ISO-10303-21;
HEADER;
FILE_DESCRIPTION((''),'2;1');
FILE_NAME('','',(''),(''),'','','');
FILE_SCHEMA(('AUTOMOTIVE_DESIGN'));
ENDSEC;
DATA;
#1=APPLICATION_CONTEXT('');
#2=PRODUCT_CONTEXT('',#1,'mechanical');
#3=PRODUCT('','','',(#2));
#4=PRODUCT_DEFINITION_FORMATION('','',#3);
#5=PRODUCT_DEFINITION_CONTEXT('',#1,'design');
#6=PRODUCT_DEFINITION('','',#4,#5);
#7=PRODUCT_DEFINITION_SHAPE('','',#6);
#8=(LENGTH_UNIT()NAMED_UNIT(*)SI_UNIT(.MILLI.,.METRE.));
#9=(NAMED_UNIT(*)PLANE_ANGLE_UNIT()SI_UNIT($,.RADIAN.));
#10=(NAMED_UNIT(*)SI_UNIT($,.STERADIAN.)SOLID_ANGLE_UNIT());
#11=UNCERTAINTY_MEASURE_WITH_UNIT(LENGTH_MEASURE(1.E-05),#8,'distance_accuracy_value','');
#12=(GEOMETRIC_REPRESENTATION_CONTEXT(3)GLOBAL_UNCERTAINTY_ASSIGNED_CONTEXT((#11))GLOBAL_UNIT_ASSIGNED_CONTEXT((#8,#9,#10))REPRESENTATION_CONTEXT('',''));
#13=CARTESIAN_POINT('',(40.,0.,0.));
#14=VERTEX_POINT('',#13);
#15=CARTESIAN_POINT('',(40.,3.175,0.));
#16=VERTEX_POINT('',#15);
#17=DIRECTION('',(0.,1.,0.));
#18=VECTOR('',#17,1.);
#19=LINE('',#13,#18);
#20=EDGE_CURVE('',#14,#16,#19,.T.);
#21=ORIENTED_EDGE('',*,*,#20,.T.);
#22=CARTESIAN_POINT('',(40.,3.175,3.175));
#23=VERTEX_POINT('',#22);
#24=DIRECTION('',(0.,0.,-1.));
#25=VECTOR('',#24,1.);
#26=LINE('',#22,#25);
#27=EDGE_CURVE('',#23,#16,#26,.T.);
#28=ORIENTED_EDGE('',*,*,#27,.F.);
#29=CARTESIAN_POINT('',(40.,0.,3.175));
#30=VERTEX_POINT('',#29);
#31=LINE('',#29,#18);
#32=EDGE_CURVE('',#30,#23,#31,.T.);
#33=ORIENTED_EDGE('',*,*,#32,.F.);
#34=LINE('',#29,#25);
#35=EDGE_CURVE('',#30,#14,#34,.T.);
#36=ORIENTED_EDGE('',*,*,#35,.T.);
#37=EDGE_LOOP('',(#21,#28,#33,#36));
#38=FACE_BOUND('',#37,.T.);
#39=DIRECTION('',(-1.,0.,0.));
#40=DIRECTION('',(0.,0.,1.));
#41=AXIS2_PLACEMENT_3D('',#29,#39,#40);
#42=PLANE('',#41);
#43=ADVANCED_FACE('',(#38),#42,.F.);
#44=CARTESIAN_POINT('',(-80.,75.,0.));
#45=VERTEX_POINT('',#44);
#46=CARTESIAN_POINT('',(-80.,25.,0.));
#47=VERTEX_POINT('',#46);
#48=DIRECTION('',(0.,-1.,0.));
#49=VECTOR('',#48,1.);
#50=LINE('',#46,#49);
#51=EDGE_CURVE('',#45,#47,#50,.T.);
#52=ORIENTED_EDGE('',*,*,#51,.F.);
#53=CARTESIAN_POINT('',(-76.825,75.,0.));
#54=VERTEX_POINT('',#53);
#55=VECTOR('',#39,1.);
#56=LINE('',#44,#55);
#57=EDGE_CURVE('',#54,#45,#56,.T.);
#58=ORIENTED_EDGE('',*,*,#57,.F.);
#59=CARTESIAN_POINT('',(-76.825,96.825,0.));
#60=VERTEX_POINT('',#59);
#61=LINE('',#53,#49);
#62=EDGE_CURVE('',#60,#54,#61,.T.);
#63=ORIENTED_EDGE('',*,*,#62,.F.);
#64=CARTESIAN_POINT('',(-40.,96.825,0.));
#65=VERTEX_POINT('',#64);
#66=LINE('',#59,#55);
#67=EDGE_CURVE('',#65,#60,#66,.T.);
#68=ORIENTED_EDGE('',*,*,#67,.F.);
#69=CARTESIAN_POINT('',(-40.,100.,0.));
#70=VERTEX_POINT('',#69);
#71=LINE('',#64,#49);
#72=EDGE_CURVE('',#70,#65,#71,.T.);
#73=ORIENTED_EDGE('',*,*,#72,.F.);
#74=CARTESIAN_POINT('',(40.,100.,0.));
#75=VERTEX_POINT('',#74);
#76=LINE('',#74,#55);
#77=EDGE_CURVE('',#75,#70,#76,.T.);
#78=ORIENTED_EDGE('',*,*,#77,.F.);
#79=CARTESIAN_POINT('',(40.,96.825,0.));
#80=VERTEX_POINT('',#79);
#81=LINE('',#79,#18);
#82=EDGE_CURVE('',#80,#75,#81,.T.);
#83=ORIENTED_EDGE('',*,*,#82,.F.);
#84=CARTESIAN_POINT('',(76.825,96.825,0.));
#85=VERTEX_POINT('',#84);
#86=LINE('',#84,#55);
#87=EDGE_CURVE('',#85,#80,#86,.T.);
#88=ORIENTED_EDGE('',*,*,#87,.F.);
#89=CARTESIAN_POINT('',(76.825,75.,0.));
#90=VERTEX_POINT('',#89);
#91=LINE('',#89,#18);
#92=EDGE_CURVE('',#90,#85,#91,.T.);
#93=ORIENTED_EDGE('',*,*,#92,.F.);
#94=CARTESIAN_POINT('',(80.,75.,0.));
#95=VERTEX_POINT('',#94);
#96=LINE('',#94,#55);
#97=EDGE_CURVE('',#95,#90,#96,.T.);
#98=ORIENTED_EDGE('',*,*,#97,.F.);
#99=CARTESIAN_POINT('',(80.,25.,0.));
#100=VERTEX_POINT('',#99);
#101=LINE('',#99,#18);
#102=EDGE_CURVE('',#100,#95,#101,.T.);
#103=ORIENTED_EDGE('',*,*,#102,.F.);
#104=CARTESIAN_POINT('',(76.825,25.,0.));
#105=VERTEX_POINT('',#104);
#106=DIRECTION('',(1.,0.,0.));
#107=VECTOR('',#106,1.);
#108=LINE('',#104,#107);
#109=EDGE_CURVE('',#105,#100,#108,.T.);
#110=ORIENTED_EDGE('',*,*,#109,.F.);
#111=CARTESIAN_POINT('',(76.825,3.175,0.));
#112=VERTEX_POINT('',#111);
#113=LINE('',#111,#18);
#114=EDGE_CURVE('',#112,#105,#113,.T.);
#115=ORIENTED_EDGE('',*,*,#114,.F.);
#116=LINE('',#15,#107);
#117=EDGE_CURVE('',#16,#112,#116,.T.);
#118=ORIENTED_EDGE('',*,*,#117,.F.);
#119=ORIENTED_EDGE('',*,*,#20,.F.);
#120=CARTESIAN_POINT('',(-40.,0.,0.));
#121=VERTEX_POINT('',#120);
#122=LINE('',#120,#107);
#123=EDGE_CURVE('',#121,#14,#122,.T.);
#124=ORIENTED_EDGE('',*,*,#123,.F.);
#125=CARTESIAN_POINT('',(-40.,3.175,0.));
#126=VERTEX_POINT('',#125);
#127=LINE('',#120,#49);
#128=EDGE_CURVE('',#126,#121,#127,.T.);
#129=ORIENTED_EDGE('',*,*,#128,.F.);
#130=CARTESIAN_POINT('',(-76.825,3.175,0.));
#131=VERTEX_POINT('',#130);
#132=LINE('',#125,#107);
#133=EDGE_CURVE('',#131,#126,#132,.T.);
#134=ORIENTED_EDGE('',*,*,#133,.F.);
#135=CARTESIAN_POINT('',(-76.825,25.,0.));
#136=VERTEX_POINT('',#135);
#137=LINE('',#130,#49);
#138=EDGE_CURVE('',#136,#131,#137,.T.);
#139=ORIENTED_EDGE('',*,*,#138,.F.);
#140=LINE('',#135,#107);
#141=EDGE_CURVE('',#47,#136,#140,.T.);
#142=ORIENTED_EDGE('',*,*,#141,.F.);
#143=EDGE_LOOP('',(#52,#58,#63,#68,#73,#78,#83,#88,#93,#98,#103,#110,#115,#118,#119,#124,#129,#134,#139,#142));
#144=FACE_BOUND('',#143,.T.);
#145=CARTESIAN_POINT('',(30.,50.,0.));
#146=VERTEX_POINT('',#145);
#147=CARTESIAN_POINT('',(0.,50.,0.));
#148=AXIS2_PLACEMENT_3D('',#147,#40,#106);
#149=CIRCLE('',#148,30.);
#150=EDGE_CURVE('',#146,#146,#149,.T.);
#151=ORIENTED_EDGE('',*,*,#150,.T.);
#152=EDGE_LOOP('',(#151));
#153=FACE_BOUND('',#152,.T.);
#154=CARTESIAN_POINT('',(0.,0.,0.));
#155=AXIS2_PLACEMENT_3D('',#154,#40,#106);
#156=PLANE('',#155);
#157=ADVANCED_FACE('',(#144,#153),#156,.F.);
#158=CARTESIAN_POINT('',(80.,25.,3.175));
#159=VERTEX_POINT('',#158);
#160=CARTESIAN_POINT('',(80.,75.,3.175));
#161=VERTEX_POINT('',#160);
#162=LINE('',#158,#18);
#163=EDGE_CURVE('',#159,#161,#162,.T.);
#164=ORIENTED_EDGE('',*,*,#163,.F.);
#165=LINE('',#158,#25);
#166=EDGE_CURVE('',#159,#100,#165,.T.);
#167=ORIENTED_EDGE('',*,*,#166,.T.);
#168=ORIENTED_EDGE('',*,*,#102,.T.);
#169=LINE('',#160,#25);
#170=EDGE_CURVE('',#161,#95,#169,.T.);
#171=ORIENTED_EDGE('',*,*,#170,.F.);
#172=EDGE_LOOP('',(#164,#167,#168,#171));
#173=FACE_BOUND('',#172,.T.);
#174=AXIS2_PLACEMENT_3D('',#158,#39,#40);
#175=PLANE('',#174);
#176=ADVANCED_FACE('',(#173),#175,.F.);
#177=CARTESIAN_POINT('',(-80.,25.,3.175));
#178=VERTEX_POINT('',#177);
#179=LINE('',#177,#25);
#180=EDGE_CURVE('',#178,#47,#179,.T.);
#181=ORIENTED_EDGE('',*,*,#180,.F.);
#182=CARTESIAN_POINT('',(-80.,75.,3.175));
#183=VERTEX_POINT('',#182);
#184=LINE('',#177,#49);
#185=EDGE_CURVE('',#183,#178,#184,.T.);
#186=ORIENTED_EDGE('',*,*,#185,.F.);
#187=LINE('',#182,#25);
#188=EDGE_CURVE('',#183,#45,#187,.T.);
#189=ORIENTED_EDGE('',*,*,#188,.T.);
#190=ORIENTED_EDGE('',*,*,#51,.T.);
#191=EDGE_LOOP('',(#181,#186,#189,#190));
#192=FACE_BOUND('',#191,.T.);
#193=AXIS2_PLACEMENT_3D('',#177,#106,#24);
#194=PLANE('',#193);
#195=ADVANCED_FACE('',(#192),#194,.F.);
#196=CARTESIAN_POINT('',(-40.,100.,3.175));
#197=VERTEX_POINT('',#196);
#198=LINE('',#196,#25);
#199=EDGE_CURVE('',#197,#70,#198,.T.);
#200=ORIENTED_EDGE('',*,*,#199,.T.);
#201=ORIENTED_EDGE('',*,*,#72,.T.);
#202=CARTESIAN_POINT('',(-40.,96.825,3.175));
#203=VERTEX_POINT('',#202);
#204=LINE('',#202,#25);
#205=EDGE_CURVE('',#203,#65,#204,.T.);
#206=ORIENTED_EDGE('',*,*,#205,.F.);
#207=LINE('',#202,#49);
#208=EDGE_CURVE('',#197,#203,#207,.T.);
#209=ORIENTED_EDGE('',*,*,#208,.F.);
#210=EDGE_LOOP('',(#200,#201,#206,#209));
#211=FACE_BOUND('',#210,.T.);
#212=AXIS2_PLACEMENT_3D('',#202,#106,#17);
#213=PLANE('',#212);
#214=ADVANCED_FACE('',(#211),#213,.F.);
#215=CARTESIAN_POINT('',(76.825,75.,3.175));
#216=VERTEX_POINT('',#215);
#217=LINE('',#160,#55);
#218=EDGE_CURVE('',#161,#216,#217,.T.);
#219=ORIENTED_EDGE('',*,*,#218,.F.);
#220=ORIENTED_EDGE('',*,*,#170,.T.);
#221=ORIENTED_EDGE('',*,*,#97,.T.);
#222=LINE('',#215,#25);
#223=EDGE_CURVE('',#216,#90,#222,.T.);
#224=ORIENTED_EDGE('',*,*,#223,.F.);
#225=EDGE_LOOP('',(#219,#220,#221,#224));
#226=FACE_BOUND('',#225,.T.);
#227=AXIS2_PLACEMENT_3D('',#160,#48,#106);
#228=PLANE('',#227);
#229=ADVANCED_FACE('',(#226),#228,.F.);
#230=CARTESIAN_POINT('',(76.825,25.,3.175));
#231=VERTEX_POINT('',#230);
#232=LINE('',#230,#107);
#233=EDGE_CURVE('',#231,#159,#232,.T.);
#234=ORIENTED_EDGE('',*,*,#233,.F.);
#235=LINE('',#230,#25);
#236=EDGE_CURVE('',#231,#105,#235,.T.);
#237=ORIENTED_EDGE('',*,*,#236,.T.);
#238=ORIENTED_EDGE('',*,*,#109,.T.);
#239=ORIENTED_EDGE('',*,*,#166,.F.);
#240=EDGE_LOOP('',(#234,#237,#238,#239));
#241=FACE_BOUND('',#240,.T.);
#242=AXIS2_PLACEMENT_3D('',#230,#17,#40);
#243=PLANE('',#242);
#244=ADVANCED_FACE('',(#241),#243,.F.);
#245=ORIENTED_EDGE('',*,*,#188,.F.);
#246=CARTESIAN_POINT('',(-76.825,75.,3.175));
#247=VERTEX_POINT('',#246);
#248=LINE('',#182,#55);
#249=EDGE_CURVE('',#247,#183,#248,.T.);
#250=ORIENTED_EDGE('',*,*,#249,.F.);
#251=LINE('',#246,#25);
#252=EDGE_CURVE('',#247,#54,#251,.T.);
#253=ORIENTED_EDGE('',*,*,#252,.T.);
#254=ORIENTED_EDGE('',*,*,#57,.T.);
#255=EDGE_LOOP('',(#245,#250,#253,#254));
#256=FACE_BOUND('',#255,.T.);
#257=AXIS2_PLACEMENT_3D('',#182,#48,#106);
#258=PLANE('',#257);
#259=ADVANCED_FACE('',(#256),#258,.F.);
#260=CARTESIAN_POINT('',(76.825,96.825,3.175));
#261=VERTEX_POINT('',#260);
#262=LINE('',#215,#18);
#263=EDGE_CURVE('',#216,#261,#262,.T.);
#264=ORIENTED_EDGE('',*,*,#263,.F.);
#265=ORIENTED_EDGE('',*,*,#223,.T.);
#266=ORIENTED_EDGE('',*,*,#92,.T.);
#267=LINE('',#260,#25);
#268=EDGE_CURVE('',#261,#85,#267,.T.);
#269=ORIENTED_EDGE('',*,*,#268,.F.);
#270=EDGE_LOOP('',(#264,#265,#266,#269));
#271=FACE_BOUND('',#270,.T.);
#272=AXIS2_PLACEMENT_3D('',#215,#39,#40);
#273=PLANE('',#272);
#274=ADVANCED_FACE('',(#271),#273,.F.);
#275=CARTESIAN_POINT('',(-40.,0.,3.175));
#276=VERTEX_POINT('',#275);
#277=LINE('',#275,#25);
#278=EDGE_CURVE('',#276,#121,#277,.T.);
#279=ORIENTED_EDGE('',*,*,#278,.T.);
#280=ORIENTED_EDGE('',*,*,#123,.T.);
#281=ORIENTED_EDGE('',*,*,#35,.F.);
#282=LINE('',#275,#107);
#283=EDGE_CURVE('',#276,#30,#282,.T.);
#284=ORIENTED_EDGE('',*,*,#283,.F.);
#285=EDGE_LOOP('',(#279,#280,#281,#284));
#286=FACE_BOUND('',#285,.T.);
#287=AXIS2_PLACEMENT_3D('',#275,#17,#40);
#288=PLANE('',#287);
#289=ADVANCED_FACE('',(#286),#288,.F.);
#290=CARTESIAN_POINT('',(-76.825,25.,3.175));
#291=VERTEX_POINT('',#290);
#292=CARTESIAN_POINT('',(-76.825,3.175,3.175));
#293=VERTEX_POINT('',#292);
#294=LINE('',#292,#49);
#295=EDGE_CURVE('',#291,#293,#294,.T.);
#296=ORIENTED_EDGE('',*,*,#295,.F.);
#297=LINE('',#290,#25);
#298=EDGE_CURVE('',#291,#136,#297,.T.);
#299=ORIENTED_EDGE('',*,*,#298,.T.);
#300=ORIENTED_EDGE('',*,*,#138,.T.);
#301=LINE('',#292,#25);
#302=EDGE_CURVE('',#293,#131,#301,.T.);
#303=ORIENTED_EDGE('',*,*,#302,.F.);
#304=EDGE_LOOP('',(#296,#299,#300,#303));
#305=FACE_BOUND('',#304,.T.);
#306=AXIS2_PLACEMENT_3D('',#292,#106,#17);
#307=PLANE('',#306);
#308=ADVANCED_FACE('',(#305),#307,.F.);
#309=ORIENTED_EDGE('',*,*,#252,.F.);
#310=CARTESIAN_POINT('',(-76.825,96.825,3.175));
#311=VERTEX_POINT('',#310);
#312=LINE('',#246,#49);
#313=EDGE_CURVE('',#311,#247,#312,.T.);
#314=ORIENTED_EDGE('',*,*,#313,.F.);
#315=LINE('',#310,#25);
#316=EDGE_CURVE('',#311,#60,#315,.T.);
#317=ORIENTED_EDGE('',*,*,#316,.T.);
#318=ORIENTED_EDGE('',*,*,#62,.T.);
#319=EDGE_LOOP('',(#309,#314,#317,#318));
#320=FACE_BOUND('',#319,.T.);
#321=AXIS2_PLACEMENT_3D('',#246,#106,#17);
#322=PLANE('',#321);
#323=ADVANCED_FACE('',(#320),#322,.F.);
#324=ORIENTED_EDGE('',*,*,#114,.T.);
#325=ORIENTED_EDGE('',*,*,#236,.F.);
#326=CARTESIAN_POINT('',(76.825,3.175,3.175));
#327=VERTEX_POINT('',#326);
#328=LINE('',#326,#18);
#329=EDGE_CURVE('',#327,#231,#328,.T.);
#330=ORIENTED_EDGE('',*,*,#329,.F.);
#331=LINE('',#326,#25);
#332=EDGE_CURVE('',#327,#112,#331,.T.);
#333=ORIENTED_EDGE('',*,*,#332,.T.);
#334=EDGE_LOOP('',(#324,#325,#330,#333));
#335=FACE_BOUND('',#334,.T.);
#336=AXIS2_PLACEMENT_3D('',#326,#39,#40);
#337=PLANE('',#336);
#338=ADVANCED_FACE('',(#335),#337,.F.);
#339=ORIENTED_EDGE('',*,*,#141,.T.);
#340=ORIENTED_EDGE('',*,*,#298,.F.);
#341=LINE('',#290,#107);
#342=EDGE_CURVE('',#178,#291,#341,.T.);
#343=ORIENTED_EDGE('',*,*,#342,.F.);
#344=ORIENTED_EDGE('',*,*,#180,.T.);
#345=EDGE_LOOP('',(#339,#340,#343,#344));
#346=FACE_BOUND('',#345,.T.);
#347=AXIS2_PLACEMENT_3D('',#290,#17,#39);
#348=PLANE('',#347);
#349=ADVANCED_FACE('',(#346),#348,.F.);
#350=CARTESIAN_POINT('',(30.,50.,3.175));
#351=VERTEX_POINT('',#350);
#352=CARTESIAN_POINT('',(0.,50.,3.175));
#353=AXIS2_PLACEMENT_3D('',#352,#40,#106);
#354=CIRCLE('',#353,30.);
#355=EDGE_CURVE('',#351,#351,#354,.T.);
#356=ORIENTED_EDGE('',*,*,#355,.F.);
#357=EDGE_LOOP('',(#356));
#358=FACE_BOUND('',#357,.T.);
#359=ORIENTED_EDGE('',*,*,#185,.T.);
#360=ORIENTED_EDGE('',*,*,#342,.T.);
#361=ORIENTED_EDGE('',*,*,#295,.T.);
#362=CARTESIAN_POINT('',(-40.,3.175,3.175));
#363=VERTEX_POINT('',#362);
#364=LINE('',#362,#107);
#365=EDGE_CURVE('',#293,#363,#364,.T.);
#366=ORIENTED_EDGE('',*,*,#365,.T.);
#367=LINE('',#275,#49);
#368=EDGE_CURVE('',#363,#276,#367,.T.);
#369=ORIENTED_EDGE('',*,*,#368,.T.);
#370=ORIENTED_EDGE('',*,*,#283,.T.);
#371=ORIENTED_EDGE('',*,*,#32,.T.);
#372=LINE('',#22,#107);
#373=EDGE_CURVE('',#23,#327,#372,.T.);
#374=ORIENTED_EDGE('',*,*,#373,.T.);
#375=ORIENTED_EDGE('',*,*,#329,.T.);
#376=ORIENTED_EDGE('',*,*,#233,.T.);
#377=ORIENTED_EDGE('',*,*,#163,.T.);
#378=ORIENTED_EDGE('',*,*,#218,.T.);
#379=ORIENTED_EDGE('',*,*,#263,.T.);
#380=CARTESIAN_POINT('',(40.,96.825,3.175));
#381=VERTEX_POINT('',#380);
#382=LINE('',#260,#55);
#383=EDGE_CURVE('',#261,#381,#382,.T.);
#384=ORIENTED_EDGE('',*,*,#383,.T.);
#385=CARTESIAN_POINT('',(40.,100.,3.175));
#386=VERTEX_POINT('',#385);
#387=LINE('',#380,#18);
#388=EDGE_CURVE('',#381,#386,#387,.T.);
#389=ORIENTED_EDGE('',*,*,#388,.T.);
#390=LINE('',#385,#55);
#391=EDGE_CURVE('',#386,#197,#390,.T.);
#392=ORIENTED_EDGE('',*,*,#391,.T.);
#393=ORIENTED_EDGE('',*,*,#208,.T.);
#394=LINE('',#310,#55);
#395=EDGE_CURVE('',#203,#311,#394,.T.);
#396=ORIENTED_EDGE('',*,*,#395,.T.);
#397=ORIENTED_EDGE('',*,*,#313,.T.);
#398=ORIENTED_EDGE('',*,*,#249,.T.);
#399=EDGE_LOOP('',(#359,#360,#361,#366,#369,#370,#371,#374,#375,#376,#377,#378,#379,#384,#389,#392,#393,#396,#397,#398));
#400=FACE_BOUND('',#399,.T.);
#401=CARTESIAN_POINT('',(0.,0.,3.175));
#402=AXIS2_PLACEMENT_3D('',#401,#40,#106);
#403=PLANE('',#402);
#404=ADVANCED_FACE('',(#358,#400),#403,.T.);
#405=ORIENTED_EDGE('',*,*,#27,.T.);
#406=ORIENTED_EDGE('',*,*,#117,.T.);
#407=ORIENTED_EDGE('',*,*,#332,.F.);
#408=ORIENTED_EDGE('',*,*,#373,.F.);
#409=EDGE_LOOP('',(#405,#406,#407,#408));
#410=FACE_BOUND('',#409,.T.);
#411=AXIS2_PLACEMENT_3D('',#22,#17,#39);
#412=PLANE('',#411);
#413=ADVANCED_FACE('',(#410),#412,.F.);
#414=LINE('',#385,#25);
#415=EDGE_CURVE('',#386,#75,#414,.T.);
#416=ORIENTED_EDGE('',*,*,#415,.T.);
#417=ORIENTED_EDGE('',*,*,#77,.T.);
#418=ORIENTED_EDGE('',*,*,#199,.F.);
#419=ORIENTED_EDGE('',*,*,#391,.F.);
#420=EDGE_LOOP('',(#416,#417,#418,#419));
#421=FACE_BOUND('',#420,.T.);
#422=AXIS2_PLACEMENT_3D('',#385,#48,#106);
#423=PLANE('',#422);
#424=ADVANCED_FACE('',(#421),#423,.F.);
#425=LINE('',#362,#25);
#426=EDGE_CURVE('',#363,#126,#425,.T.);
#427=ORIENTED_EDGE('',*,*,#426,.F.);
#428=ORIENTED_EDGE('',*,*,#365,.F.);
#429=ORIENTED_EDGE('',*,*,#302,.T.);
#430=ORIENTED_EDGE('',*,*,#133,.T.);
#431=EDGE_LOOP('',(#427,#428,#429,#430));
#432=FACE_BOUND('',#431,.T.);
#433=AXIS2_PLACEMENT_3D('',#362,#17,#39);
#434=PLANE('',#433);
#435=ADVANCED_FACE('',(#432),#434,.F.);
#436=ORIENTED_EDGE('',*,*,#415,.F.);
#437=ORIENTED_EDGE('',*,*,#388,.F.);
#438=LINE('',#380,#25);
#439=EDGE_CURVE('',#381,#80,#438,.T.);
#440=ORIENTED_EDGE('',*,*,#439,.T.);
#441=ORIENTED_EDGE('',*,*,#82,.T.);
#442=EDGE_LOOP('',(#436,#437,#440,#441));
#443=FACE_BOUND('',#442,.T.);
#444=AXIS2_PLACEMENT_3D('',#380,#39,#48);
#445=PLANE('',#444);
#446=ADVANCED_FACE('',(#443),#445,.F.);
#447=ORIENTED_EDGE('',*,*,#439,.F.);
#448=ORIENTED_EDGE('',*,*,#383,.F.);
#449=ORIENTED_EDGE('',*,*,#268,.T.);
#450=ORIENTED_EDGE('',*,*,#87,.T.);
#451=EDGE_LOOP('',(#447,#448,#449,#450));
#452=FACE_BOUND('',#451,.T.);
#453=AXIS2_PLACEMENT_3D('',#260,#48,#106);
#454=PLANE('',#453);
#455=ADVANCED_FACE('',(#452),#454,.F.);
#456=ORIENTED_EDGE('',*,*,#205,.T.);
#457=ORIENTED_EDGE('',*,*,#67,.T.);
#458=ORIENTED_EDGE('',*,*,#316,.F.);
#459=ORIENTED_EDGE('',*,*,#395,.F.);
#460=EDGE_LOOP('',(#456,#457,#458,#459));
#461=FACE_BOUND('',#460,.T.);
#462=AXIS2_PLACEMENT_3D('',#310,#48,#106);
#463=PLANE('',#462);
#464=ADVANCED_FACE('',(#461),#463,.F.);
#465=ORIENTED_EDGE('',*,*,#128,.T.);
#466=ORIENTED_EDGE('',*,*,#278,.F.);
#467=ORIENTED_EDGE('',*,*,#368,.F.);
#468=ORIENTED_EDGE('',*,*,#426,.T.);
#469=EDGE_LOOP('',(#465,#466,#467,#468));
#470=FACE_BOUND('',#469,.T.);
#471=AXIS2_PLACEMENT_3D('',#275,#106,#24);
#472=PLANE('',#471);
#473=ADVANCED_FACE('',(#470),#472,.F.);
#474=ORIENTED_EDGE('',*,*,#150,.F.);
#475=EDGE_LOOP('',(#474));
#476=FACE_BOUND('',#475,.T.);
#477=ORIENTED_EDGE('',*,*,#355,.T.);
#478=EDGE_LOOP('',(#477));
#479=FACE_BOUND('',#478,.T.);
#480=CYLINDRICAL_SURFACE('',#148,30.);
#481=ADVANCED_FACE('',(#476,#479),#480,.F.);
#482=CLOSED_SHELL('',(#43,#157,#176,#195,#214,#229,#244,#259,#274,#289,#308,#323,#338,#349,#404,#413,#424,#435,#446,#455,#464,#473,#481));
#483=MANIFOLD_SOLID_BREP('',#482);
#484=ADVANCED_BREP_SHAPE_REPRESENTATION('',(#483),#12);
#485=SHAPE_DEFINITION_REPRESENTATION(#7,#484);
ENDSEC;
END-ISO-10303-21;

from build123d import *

# Parameters (mm, degrees)
BOSS_EXTRUDE2_DEPTH = 3.175
SKETCH2_R           = 30
CUT_EXTRUDE1_DEPTH  = 3.175


with BuildPart() as part:
    # Sketch1 → Boss-Extrude2 (new body)
    with BuildSketch(Plane.XY):
        Polygon((-40, 0), (40, 0), (40, 3.175), (76.825, 3.175), (76.825, 25), (80, 25), (80, 75), (76.825, 75), (76.825, 96.825), (40, 96.825), (40, 100), (-40, 100), (-40, 96.825), (-76.825, 96.825), (-76.825, 75), (-80, 75), (-80, 25), (-76.825, 25), (-76.825, 3.175), (-40, 3.175), align=None)
    extrude(amount=BOSS_EXTRUDE2_DEPTH)

    # Sketch2 → Cut-Extrude1 (cut)
    with BuildSketch(Plane.XY.offset(3.175)):
        with Locations((0, 50)):
            Circle(SKETCH2_R)
    extrude(amount=-CUT_EXTRUDE1_DEPTH, mode=Mode.SUBTRACT)


solid = part.part
